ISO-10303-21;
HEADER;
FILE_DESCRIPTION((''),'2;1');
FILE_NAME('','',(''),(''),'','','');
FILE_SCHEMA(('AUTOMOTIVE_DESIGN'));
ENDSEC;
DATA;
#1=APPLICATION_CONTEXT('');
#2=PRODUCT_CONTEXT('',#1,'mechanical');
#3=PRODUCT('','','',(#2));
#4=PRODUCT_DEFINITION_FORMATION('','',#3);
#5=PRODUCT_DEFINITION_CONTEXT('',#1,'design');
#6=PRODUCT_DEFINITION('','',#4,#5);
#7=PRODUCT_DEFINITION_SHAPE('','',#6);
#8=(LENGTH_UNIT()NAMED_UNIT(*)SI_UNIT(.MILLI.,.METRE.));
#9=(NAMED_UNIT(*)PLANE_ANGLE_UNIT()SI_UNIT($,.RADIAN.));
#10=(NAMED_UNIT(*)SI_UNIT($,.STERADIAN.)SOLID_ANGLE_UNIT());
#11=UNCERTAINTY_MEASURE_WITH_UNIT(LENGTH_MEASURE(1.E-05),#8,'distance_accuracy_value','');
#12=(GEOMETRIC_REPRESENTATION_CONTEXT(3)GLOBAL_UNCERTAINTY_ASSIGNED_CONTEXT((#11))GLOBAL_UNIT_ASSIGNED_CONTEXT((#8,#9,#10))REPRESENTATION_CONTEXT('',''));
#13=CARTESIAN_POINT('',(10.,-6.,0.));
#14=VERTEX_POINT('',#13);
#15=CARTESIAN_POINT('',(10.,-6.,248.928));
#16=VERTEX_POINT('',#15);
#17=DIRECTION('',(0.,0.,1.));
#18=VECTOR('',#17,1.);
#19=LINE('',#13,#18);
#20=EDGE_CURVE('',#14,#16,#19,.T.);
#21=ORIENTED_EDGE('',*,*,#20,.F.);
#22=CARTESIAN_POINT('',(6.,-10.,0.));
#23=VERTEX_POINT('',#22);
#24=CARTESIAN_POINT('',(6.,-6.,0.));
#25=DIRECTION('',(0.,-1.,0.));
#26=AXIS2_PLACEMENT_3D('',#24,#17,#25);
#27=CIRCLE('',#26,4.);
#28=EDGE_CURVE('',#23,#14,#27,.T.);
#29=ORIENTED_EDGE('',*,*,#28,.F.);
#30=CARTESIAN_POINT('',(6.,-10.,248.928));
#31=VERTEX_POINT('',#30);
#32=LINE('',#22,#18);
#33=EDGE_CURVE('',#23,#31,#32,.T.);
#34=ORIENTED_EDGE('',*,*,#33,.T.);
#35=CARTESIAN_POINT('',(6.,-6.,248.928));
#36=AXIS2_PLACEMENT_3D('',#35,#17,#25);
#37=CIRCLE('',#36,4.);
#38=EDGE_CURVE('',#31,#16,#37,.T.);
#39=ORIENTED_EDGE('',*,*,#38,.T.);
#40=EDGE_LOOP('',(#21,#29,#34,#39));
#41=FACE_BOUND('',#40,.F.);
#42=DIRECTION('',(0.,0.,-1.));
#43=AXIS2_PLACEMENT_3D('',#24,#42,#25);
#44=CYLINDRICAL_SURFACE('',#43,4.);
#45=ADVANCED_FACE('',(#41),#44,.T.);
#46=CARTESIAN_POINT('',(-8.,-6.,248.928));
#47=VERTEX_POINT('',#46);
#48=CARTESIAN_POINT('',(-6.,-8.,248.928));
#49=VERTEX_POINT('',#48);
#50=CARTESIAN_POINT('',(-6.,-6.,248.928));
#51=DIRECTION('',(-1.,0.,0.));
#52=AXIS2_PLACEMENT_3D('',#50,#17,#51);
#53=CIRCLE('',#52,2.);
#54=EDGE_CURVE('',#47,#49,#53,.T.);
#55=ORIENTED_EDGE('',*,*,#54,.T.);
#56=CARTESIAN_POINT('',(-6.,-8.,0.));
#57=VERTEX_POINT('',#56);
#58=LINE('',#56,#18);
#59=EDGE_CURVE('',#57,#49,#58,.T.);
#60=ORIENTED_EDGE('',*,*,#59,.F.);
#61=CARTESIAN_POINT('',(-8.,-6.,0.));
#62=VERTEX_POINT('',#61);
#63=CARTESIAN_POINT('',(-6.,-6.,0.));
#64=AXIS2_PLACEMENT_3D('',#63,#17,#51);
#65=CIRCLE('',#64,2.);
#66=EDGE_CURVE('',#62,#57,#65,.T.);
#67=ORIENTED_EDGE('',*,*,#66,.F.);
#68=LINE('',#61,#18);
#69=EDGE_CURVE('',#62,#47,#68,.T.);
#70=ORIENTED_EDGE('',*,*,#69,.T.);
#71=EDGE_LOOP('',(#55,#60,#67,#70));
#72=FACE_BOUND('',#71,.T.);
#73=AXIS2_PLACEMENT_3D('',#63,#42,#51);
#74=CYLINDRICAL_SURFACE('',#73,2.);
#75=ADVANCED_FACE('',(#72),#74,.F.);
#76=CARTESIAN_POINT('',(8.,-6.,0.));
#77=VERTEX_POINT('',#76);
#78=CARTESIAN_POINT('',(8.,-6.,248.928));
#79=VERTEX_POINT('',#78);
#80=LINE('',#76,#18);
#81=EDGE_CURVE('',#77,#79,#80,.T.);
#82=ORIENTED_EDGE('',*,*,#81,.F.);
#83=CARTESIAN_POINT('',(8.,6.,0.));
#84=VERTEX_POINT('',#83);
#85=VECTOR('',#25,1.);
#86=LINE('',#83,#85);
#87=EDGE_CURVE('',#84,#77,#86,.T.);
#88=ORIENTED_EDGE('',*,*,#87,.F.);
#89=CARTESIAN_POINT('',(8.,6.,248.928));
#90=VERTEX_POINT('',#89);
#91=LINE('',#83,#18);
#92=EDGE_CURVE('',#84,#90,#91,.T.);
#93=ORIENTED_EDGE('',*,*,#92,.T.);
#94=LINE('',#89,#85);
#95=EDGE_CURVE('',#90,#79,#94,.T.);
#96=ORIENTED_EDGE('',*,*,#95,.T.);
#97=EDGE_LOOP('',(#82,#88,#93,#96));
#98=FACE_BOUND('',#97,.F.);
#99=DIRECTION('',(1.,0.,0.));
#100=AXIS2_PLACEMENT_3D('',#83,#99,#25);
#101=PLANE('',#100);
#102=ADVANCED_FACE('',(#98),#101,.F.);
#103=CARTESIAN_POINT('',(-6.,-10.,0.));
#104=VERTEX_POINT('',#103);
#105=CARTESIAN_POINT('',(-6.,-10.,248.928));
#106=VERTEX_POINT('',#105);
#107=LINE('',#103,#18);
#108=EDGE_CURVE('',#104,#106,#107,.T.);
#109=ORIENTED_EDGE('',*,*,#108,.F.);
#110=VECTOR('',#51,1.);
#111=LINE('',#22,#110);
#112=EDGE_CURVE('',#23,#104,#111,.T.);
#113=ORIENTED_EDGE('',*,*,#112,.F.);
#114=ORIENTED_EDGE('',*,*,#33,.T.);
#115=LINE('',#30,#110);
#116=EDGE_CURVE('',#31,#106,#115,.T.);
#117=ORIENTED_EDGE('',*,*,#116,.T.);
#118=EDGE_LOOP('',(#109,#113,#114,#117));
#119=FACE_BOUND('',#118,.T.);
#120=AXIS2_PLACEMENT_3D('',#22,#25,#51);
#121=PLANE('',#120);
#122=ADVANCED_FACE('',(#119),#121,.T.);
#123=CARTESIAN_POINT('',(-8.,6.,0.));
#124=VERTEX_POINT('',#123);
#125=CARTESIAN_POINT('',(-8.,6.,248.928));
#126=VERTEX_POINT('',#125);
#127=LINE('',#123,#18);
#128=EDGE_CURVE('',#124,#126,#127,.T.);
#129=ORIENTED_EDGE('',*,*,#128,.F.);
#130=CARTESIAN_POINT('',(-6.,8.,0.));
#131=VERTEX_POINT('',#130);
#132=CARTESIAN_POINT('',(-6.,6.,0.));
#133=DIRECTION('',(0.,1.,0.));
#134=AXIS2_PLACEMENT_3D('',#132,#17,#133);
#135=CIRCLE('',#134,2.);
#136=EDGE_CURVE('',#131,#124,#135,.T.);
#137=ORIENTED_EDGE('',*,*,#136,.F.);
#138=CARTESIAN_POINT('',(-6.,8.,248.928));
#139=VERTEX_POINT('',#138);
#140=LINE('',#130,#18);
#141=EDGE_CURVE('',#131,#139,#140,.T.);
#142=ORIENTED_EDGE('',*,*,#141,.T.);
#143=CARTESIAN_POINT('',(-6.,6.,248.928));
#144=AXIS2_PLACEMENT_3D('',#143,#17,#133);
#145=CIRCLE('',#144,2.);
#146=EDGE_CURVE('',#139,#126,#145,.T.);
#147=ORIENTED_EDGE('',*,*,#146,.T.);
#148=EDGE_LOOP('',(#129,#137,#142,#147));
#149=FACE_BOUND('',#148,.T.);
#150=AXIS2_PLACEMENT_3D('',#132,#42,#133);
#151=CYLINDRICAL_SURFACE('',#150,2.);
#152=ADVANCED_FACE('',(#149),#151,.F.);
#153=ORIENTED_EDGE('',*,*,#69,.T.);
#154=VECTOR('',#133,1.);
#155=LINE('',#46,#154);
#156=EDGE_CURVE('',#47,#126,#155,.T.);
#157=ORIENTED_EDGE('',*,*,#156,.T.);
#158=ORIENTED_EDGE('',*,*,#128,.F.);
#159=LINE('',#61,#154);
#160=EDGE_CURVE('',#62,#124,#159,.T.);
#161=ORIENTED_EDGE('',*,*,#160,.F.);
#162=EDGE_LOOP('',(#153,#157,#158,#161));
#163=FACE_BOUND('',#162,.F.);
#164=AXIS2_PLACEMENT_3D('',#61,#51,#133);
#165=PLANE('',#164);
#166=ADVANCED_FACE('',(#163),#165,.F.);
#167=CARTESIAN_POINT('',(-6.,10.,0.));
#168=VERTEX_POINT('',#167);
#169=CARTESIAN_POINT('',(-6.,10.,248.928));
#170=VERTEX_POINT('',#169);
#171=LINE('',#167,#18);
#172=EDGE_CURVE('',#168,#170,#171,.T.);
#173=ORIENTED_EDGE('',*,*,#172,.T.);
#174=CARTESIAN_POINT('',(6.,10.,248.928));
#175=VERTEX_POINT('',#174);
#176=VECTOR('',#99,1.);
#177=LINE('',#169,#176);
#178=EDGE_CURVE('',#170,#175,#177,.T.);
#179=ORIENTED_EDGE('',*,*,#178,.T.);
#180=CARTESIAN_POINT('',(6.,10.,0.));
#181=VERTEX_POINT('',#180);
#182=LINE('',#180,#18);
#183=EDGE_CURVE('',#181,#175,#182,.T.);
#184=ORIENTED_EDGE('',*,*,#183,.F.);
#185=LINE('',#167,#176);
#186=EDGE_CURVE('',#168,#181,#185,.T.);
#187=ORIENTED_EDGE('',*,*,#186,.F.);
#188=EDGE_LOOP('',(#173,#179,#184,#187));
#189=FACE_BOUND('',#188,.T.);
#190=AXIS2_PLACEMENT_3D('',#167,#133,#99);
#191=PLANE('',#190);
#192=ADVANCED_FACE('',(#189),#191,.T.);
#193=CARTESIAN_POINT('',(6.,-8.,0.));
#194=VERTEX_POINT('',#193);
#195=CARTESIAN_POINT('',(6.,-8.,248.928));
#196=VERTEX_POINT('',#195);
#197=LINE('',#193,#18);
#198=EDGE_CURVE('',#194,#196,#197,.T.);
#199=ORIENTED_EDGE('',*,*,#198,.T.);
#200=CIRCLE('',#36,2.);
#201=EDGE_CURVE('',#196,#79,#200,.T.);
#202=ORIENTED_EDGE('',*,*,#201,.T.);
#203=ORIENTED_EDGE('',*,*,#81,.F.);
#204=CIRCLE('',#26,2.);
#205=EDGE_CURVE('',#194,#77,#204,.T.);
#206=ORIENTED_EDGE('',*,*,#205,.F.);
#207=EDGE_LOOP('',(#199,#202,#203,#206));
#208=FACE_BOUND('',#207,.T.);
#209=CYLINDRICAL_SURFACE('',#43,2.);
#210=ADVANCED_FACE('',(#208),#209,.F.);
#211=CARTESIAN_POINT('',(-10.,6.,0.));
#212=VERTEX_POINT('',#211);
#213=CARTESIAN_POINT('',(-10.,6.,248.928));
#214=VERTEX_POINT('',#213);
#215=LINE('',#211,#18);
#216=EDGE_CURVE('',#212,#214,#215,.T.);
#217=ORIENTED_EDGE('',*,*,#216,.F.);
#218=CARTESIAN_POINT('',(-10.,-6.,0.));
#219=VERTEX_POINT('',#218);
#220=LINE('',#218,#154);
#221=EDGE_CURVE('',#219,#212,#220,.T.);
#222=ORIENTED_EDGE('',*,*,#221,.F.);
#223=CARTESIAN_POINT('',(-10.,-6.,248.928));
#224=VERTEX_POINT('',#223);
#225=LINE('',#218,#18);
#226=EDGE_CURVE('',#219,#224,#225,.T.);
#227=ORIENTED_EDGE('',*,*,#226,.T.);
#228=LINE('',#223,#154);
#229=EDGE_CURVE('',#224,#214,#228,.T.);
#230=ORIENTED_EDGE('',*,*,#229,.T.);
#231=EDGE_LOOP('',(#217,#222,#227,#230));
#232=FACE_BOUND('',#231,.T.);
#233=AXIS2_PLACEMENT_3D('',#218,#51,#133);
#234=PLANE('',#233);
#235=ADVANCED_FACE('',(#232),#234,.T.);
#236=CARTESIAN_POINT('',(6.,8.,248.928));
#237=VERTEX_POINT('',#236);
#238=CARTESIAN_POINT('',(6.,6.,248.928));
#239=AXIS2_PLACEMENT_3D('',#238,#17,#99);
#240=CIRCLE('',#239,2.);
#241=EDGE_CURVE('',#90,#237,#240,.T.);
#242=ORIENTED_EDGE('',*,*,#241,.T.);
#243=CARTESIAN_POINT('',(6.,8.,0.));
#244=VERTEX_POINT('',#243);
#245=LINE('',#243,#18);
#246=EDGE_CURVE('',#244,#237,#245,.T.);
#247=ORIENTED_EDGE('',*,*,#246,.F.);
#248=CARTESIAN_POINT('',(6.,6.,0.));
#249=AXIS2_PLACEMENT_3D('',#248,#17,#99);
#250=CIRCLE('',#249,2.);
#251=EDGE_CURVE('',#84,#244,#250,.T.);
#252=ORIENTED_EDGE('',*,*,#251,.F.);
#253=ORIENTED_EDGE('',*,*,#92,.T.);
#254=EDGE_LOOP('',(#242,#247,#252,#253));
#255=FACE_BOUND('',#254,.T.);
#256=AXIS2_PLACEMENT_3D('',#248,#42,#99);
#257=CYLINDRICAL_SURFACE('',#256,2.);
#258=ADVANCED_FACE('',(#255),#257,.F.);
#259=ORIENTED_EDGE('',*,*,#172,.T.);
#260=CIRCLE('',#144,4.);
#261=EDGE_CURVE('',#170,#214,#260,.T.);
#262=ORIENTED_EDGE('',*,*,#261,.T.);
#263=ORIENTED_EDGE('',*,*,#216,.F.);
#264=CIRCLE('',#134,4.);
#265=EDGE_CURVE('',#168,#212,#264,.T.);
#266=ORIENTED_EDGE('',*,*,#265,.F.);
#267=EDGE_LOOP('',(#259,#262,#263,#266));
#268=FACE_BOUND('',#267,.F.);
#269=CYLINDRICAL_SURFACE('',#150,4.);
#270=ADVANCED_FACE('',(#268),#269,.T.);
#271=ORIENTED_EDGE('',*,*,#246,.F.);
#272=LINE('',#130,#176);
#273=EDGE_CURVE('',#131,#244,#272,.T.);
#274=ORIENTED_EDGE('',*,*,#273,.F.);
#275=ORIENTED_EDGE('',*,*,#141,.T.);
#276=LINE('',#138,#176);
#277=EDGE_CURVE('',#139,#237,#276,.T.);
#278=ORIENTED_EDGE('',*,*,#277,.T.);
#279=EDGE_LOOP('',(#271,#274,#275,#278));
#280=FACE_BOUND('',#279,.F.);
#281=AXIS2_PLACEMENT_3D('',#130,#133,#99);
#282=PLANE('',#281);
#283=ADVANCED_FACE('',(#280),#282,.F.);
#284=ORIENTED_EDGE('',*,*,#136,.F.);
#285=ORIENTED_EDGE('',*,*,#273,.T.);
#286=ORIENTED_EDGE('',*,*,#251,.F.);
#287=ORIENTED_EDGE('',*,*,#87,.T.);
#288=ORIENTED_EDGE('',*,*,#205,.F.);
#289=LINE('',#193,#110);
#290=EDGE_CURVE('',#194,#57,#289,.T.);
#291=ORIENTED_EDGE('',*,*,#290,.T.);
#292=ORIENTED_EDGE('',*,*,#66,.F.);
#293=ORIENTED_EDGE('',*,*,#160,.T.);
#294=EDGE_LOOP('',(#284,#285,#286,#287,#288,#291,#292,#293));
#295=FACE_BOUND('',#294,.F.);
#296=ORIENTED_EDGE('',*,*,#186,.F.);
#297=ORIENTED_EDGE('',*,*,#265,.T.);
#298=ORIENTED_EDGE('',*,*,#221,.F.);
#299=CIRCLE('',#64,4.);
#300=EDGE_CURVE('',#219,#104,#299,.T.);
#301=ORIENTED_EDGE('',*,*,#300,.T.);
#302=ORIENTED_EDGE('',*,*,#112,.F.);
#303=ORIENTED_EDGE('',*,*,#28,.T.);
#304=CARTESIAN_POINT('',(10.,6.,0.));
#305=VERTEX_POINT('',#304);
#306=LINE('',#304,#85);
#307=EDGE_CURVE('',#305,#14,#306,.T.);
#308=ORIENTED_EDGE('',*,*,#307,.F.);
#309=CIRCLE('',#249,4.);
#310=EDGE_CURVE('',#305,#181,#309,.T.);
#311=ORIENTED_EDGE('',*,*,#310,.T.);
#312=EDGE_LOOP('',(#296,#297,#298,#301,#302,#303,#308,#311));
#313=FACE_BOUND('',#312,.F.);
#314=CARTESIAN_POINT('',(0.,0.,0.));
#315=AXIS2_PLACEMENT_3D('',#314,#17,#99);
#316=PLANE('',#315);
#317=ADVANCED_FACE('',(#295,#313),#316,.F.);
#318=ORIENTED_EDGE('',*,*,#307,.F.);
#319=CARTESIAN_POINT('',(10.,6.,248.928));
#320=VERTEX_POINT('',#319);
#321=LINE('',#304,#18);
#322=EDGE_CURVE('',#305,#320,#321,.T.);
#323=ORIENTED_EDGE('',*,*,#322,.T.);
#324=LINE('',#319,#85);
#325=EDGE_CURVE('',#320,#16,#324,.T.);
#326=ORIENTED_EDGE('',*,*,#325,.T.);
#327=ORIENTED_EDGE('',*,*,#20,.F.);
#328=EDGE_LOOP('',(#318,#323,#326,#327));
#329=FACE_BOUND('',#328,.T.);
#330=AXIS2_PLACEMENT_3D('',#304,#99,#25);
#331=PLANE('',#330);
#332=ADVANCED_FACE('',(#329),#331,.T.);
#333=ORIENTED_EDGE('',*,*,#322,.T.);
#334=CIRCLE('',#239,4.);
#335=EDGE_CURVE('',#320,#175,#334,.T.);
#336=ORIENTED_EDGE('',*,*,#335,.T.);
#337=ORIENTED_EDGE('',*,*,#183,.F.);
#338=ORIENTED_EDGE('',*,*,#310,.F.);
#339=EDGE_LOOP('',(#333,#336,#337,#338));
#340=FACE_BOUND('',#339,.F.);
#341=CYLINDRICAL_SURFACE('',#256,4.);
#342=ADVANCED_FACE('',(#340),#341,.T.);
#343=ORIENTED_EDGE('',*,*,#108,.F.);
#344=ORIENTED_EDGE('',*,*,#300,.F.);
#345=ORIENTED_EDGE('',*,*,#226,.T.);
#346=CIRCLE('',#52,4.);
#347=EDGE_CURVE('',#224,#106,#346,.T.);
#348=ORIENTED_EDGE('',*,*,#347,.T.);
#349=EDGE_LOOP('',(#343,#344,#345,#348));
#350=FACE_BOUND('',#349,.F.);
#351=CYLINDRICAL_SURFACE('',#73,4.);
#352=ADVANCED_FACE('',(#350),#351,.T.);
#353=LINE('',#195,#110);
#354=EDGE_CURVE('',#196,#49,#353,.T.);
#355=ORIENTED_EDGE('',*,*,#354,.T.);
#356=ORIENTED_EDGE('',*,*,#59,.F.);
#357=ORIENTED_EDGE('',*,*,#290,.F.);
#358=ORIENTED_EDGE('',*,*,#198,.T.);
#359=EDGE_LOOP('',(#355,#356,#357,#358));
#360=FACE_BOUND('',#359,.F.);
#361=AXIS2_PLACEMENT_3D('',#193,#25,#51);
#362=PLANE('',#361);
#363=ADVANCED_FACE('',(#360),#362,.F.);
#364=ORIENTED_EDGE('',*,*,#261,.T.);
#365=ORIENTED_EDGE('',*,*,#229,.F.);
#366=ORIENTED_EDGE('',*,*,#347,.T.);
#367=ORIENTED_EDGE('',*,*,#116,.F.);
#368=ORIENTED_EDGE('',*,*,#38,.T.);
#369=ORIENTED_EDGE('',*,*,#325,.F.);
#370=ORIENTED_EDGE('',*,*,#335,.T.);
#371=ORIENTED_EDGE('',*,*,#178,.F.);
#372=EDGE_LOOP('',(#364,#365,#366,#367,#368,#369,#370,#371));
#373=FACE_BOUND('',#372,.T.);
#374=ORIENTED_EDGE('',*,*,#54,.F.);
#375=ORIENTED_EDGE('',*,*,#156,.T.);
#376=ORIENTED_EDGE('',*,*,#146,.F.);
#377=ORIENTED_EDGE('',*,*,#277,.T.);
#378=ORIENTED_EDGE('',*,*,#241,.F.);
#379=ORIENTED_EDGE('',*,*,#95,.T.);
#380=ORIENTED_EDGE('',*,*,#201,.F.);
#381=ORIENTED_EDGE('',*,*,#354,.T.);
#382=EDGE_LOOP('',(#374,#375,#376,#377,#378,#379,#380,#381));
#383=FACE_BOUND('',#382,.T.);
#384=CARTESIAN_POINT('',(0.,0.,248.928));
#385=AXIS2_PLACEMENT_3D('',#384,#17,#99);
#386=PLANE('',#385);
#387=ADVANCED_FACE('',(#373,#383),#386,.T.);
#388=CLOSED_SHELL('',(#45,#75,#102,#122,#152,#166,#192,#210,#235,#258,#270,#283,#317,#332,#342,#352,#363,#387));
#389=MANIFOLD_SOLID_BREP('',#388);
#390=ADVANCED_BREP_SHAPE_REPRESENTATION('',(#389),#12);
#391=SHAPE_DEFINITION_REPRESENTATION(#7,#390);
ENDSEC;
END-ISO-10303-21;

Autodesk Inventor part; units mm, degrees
ref_plane "YZ Plane" through (0, 0, 0) normal (1, 0, 0) x (0, 1, 0)
ref_plane "Plan de départ" through (0, 0, 0) normal (0, 0, 1) x (1, 0, 0)
ref_plane "Plan de fin" through (0, 0, 248.928) normal (0, 0, 1) x (1, 0, 0)
sketch "Esquisse" plane through (0, 0, 0) normal (0, 0, 1) x (1, 0, 0)
  line L0 (-10, -6) -> (-10, 6)
  line L1 (-6, 10) -> (6, 10)
  line L2 (10, 6) -> (10, -6)
  line L3 (6, -10) -> (-6, -10)
  arc A0 (-10, -6) -> (-6, -10) centre (-6, -6) ccw
  arc A1 (10, 6) -> (6, 10) centre (6, 6) ccw
  arc A2 (-6, 10) -> (-10, 6) centre (-6, 6) ccw
  arc A3 (6, -10) -> (10, -6) centre (6, -6) ccw
  arc A4 (-6, 8) -> (-8, 6) centre (-6, 6) ccw
  line L4 (-6, 8) -> (6, 8)
  arc A5 (8, 6) -> (6, 8) centre (6, 6) ccw
  line L5 (8, 6) -> (8, -6)
  arc A6 (6, -8) -> (8, -6) centre (6, -6) ccw
  line L6 (6, -8) -> (-6, -8)
  arc A7 (-8, -6) -> (-6, -8) centre (-6, -6) ccw
  line L7 (-8, -6) -> (-8, 6)
  line L8 (0, 15.1598) -> (0, -15.1598) construction
  line L9 (-15.1598, 0) -> (15.1598, 0) construction
  dimension "d7" = 4
  dimension "d9" = 20
  dimension "d11" = 20
  dimension "d12" = 2
  dimension "d15" = 10
  dimension "d16" = 10
extrude "Corps" add sketch "Esquisse" along normal up to surface (248.928 mm away) from surface at 0
sketch "Sketch3" plane through (0, 0, 0) normal (0, 0, 1) x (1, 0, 0)
  line L0 (0, 0) -> (10, 0)
ref_plane "Work Plane3" through (0, 0, 0) normal (0, -1, 0) x (1, 0, 0)
sketch "Sketch4" plane through (0, 0, 0) normal (0, -1, 0) x (1, 0, 0)
  line L0 (-2, 0) -> (12, 0) projected
  line L1 (-2, 248.928) -> (12, 248.928) projected
  dimension "d18" = 248.928
equation "\"d7\" = G_IR"
equation "\"d9\" = G_W"
equation "\"d11\" = G_H"
equation "\"d12\" = G_T"
equation "\"d15\" = 0.5 * d9"
equation "\"d16\" = 0.5 * d11"
equation "\"d3\" = G_L"
equation "\"G_W\" = 20"
equation "\"G_H\" = 20"
equation "\"G_T\" = 2"
equation "\"G_IR\" = 4"
equation "\"G_L\" = d18"
equation "\"G_OFFSET_START\" = 0"
equation "\"G_OFFSET_END\" = 0"
equation "\"d14\" = G_OFFSET_END + B_L"
equation "\"B_L\" = 248.92798"
properties part number "ISO 10799-2 - 20x20x2 - 248,93" material "Acier, doux"
